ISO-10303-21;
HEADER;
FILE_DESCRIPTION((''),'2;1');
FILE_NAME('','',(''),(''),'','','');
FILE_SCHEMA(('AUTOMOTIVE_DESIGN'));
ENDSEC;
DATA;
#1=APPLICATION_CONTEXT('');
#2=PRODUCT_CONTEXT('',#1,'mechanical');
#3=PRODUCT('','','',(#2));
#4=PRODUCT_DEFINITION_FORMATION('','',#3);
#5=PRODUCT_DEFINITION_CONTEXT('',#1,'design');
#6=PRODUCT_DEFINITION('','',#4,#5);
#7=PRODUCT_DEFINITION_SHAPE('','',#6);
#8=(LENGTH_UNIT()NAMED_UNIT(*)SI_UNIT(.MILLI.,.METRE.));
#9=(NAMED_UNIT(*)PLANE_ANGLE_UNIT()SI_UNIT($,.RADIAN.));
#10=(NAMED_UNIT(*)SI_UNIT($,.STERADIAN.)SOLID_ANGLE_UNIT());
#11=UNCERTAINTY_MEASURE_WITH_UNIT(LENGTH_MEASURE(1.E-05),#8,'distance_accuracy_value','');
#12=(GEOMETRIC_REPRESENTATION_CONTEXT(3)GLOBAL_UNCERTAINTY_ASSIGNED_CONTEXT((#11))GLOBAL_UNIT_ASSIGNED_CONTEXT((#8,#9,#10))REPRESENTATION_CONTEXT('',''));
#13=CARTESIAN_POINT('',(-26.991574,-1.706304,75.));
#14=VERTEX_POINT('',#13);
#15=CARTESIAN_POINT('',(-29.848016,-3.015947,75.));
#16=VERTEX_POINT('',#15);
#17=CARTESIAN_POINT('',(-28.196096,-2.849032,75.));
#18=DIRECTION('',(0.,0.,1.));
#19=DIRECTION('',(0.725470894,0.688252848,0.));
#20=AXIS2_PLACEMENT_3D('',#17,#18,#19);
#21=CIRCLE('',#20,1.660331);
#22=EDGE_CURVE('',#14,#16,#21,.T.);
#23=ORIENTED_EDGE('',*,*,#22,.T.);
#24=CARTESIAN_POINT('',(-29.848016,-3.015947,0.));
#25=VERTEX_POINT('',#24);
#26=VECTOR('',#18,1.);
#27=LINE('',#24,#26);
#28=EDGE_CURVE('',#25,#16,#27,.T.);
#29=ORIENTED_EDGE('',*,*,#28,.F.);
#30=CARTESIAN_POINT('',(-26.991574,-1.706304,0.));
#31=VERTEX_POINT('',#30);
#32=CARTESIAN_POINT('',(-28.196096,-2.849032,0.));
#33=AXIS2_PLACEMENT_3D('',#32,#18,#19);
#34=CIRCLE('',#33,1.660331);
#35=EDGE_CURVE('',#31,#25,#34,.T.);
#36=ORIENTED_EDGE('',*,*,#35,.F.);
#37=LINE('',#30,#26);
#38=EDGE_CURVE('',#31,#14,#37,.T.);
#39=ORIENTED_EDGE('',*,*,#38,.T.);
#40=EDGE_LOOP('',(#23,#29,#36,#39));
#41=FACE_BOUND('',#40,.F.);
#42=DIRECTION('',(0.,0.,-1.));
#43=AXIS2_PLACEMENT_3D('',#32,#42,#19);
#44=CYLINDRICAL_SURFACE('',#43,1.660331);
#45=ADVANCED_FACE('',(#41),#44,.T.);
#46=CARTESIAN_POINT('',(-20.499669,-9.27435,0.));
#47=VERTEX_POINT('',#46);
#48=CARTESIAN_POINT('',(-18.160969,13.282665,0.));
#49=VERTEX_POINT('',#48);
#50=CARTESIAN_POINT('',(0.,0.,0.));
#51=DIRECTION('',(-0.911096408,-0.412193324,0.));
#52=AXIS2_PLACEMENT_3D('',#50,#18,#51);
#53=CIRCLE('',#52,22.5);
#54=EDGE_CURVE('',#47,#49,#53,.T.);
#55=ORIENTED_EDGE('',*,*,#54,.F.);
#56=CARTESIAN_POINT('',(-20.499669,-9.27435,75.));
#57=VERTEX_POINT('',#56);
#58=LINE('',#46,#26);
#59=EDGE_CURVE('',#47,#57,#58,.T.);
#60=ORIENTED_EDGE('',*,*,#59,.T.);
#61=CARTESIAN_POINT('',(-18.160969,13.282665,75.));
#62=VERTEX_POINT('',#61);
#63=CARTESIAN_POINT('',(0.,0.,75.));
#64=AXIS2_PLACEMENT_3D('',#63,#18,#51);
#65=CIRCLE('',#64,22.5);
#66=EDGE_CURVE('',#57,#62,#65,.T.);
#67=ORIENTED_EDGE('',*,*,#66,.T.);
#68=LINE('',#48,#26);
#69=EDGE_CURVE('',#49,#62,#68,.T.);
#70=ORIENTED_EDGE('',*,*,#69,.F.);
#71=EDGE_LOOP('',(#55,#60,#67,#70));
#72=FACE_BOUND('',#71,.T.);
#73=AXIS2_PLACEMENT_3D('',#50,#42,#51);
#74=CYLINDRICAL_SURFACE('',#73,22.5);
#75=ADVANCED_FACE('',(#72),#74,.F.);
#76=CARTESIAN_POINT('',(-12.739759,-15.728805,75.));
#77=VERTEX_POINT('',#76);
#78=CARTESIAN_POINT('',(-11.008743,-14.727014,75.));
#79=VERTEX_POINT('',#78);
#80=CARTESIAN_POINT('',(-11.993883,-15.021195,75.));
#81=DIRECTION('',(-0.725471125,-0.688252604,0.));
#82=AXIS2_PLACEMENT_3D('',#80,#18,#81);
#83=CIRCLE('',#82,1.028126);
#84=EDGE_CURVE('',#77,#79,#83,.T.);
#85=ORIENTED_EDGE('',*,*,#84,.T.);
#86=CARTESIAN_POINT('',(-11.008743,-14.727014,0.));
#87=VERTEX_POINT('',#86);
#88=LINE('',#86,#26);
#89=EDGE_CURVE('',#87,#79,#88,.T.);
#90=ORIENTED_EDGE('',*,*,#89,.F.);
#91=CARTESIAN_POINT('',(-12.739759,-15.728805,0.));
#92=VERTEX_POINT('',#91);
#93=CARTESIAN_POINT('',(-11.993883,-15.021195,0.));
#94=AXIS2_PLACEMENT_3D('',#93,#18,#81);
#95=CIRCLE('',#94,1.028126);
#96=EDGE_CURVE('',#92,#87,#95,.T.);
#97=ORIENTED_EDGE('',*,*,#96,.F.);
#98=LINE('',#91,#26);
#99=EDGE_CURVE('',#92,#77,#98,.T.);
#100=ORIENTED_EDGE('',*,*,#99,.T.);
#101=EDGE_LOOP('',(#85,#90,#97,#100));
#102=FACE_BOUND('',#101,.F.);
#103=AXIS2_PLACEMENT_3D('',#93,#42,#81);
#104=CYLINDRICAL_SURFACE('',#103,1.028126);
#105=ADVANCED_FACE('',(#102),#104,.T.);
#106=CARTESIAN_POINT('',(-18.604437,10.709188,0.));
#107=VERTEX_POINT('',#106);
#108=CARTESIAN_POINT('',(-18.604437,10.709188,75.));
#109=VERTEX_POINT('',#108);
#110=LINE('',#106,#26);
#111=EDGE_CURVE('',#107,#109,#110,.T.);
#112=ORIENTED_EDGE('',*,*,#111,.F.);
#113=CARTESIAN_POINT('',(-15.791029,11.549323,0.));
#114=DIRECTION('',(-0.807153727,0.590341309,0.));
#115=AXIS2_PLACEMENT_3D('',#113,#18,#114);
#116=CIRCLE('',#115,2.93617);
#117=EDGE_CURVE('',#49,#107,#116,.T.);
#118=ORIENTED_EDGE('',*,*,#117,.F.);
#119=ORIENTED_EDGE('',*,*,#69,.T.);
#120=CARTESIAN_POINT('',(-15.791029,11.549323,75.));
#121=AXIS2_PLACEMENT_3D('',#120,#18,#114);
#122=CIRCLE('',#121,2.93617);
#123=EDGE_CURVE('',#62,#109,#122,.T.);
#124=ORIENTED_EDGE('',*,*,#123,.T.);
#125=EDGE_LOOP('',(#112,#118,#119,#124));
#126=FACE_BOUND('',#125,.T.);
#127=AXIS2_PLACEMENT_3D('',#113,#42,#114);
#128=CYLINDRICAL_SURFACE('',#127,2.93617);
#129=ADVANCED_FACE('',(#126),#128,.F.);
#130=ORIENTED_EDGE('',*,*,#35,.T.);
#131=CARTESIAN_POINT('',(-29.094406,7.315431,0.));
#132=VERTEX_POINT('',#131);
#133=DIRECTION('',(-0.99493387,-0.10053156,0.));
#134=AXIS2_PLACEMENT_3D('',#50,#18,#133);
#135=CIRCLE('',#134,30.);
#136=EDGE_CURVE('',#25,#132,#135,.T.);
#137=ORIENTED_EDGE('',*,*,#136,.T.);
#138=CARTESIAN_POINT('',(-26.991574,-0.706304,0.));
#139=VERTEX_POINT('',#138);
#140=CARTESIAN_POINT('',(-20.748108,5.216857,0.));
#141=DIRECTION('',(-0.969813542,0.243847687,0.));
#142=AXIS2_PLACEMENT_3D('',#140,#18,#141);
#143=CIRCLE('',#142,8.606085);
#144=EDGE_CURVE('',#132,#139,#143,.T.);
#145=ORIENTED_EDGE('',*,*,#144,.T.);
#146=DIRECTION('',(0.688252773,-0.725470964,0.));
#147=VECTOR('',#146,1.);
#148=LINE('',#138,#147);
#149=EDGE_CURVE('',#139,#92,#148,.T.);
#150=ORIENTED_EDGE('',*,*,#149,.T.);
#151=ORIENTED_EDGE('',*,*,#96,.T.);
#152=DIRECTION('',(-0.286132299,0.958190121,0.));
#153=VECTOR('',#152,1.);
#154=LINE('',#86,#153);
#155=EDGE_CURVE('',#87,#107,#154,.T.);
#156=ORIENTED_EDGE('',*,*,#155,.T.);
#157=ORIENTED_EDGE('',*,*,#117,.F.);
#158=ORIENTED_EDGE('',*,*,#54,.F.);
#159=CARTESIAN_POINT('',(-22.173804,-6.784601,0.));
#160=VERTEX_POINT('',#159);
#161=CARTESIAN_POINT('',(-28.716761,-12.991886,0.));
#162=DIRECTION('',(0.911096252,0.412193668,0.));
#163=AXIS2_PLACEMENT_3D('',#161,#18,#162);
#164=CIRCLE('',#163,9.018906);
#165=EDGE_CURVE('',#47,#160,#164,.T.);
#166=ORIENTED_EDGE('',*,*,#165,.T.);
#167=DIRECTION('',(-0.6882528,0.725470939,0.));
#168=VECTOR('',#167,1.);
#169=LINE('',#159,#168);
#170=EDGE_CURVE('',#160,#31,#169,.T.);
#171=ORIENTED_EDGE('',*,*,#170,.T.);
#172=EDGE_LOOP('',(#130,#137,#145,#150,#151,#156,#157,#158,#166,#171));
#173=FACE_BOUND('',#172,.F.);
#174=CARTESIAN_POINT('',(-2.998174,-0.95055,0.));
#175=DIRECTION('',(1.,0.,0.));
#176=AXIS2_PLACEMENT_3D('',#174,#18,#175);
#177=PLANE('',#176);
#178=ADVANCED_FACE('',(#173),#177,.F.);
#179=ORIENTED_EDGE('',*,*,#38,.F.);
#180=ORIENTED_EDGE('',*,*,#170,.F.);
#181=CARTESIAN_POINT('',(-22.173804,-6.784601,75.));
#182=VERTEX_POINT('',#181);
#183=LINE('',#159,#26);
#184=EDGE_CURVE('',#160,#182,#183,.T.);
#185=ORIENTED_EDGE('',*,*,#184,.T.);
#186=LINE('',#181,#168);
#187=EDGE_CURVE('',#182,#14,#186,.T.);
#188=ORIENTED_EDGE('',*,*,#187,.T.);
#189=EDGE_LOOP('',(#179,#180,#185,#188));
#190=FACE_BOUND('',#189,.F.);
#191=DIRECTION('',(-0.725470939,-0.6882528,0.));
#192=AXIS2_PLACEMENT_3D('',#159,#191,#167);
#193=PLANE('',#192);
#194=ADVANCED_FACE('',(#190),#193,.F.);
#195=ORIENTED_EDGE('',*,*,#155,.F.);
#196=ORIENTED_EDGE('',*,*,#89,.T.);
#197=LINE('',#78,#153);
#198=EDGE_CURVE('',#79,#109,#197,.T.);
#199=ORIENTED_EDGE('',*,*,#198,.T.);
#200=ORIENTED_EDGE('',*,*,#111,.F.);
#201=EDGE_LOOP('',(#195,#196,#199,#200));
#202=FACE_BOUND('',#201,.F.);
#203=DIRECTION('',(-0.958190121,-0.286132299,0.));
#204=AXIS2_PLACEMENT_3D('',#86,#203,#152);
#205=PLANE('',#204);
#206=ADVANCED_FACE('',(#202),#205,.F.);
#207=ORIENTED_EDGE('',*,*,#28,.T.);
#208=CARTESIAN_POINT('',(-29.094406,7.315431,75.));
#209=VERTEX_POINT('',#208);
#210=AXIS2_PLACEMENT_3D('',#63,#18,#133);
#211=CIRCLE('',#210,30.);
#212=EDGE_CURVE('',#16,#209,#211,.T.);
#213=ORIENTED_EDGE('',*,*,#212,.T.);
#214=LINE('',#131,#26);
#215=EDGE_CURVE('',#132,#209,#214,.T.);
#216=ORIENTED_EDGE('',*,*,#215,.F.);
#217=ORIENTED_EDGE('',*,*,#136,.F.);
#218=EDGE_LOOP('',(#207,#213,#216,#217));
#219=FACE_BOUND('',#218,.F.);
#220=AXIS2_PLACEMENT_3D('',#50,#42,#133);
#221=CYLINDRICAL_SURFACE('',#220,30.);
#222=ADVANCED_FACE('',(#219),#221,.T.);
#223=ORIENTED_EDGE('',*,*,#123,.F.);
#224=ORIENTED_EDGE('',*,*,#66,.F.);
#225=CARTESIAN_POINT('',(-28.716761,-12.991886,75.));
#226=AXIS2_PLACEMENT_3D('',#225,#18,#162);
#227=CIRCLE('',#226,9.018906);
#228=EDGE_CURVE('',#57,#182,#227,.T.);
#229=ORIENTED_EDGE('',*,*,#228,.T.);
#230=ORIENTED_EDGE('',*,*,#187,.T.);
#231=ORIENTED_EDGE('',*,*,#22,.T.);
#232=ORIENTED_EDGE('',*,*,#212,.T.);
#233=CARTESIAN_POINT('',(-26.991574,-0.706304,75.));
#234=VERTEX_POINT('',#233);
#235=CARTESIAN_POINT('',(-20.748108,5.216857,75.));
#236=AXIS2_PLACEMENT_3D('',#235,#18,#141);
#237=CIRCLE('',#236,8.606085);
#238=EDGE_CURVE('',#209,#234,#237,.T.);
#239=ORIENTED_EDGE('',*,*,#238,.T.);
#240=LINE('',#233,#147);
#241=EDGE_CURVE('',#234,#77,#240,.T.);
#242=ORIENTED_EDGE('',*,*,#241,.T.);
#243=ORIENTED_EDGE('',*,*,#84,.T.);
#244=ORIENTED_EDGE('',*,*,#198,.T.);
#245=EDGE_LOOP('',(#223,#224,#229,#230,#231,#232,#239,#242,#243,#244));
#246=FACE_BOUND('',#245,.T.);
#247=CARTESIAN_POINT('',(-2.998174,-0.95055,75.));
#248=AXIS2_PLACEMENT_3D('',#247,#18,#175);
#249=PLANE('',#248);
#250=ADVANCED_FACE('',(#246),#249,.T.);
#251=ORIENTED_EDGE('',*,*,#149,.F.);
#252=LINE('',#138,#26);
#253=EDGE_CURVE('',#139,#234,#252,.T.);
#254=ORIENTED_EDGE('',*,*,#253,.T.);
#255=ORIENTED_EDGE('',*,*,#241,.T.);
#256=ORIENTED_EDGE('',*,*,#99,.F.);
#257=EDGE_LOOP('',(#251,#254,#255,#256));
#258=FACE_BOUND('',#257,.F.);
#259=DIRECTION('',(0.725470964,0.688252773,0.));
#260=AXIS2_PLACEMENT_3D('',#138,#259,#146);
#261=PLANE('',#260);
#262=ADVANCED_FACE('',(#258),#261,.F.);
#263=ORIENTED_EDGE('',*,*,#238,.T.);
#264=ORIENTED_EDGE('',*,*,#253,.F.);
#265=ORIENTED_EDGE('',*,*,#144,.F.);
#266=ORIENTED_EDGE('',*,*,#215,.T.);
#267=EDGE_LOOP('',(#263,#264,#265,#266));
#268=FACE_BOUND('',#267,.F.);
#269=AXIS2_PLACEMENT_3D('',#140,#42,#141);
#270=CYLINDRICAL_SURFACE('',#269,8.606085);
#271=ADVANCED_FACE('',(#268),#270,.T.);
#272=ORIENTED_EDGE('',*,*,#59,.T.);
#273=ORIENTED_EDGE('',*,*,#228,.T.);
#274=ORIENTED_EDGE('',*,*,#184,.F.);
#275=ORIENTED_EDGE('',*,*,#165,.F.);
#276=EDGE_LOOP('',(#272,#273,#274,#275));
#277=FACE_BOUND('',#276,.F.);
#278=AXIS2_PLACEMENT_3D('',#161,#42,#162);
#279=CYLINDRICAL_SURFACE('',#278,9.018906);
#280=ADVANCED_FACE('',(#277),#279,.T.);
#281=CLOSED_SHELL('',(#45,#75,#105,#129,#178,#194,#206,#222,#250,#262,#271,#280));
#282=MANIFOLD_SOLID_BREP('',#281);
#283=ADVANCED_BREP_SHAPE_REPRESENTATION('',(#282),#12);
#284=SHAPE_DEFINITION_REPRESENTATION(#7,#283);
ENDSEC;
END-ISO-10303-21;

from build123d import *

# Parameters (mm, degrees)
PAD_DEPTH = 75


with BuildPart() as part:
    # Sketch → Pad (new body)
    with BuildSketch(Plane.XY):
        with BuildLine():
            ThreePointArc((-29.848016, -3.015947), (29.920505, -2.182515), (-29.094406, 7.315431))
            ThreePointArc((-29.094406, 7.315431), (-29.072912, 3.034578), (-26.991574, -0.706304))
            Line((-26.991574, -0.706304), (-12.739759, -15.728805))
            ThreePointArc((-12.739759, -15.728805), (-11.4789, -15.911046), (-11.008743, -14.727014))
            Line((-11.008743, -14.727014), (-18.604437, 10.709188))
            ThreePointArc((-18.160969, 13.282665), (-18.684551, 12.047942), (-18.604437, 10.709188))
            ThreePointArc((-20.499669, -9.27435), (22.380035, -2.320351), (-18.160969, 13.282665))
            ThreePointArc((-20.499669, -9.27435), (-21.232479, -7.959372), (-22.173804, -6.784601))
            Line((-22.173804, -6.784601), (-26.991574, -1.706304))
            ThreePointArc((-26.991574, -1.706304), (-28.888073, -1.339771), (-29.848016, -3.015947))
        make_face()
    extrude(amount=PAD_DEPTH)


solid = part.part
